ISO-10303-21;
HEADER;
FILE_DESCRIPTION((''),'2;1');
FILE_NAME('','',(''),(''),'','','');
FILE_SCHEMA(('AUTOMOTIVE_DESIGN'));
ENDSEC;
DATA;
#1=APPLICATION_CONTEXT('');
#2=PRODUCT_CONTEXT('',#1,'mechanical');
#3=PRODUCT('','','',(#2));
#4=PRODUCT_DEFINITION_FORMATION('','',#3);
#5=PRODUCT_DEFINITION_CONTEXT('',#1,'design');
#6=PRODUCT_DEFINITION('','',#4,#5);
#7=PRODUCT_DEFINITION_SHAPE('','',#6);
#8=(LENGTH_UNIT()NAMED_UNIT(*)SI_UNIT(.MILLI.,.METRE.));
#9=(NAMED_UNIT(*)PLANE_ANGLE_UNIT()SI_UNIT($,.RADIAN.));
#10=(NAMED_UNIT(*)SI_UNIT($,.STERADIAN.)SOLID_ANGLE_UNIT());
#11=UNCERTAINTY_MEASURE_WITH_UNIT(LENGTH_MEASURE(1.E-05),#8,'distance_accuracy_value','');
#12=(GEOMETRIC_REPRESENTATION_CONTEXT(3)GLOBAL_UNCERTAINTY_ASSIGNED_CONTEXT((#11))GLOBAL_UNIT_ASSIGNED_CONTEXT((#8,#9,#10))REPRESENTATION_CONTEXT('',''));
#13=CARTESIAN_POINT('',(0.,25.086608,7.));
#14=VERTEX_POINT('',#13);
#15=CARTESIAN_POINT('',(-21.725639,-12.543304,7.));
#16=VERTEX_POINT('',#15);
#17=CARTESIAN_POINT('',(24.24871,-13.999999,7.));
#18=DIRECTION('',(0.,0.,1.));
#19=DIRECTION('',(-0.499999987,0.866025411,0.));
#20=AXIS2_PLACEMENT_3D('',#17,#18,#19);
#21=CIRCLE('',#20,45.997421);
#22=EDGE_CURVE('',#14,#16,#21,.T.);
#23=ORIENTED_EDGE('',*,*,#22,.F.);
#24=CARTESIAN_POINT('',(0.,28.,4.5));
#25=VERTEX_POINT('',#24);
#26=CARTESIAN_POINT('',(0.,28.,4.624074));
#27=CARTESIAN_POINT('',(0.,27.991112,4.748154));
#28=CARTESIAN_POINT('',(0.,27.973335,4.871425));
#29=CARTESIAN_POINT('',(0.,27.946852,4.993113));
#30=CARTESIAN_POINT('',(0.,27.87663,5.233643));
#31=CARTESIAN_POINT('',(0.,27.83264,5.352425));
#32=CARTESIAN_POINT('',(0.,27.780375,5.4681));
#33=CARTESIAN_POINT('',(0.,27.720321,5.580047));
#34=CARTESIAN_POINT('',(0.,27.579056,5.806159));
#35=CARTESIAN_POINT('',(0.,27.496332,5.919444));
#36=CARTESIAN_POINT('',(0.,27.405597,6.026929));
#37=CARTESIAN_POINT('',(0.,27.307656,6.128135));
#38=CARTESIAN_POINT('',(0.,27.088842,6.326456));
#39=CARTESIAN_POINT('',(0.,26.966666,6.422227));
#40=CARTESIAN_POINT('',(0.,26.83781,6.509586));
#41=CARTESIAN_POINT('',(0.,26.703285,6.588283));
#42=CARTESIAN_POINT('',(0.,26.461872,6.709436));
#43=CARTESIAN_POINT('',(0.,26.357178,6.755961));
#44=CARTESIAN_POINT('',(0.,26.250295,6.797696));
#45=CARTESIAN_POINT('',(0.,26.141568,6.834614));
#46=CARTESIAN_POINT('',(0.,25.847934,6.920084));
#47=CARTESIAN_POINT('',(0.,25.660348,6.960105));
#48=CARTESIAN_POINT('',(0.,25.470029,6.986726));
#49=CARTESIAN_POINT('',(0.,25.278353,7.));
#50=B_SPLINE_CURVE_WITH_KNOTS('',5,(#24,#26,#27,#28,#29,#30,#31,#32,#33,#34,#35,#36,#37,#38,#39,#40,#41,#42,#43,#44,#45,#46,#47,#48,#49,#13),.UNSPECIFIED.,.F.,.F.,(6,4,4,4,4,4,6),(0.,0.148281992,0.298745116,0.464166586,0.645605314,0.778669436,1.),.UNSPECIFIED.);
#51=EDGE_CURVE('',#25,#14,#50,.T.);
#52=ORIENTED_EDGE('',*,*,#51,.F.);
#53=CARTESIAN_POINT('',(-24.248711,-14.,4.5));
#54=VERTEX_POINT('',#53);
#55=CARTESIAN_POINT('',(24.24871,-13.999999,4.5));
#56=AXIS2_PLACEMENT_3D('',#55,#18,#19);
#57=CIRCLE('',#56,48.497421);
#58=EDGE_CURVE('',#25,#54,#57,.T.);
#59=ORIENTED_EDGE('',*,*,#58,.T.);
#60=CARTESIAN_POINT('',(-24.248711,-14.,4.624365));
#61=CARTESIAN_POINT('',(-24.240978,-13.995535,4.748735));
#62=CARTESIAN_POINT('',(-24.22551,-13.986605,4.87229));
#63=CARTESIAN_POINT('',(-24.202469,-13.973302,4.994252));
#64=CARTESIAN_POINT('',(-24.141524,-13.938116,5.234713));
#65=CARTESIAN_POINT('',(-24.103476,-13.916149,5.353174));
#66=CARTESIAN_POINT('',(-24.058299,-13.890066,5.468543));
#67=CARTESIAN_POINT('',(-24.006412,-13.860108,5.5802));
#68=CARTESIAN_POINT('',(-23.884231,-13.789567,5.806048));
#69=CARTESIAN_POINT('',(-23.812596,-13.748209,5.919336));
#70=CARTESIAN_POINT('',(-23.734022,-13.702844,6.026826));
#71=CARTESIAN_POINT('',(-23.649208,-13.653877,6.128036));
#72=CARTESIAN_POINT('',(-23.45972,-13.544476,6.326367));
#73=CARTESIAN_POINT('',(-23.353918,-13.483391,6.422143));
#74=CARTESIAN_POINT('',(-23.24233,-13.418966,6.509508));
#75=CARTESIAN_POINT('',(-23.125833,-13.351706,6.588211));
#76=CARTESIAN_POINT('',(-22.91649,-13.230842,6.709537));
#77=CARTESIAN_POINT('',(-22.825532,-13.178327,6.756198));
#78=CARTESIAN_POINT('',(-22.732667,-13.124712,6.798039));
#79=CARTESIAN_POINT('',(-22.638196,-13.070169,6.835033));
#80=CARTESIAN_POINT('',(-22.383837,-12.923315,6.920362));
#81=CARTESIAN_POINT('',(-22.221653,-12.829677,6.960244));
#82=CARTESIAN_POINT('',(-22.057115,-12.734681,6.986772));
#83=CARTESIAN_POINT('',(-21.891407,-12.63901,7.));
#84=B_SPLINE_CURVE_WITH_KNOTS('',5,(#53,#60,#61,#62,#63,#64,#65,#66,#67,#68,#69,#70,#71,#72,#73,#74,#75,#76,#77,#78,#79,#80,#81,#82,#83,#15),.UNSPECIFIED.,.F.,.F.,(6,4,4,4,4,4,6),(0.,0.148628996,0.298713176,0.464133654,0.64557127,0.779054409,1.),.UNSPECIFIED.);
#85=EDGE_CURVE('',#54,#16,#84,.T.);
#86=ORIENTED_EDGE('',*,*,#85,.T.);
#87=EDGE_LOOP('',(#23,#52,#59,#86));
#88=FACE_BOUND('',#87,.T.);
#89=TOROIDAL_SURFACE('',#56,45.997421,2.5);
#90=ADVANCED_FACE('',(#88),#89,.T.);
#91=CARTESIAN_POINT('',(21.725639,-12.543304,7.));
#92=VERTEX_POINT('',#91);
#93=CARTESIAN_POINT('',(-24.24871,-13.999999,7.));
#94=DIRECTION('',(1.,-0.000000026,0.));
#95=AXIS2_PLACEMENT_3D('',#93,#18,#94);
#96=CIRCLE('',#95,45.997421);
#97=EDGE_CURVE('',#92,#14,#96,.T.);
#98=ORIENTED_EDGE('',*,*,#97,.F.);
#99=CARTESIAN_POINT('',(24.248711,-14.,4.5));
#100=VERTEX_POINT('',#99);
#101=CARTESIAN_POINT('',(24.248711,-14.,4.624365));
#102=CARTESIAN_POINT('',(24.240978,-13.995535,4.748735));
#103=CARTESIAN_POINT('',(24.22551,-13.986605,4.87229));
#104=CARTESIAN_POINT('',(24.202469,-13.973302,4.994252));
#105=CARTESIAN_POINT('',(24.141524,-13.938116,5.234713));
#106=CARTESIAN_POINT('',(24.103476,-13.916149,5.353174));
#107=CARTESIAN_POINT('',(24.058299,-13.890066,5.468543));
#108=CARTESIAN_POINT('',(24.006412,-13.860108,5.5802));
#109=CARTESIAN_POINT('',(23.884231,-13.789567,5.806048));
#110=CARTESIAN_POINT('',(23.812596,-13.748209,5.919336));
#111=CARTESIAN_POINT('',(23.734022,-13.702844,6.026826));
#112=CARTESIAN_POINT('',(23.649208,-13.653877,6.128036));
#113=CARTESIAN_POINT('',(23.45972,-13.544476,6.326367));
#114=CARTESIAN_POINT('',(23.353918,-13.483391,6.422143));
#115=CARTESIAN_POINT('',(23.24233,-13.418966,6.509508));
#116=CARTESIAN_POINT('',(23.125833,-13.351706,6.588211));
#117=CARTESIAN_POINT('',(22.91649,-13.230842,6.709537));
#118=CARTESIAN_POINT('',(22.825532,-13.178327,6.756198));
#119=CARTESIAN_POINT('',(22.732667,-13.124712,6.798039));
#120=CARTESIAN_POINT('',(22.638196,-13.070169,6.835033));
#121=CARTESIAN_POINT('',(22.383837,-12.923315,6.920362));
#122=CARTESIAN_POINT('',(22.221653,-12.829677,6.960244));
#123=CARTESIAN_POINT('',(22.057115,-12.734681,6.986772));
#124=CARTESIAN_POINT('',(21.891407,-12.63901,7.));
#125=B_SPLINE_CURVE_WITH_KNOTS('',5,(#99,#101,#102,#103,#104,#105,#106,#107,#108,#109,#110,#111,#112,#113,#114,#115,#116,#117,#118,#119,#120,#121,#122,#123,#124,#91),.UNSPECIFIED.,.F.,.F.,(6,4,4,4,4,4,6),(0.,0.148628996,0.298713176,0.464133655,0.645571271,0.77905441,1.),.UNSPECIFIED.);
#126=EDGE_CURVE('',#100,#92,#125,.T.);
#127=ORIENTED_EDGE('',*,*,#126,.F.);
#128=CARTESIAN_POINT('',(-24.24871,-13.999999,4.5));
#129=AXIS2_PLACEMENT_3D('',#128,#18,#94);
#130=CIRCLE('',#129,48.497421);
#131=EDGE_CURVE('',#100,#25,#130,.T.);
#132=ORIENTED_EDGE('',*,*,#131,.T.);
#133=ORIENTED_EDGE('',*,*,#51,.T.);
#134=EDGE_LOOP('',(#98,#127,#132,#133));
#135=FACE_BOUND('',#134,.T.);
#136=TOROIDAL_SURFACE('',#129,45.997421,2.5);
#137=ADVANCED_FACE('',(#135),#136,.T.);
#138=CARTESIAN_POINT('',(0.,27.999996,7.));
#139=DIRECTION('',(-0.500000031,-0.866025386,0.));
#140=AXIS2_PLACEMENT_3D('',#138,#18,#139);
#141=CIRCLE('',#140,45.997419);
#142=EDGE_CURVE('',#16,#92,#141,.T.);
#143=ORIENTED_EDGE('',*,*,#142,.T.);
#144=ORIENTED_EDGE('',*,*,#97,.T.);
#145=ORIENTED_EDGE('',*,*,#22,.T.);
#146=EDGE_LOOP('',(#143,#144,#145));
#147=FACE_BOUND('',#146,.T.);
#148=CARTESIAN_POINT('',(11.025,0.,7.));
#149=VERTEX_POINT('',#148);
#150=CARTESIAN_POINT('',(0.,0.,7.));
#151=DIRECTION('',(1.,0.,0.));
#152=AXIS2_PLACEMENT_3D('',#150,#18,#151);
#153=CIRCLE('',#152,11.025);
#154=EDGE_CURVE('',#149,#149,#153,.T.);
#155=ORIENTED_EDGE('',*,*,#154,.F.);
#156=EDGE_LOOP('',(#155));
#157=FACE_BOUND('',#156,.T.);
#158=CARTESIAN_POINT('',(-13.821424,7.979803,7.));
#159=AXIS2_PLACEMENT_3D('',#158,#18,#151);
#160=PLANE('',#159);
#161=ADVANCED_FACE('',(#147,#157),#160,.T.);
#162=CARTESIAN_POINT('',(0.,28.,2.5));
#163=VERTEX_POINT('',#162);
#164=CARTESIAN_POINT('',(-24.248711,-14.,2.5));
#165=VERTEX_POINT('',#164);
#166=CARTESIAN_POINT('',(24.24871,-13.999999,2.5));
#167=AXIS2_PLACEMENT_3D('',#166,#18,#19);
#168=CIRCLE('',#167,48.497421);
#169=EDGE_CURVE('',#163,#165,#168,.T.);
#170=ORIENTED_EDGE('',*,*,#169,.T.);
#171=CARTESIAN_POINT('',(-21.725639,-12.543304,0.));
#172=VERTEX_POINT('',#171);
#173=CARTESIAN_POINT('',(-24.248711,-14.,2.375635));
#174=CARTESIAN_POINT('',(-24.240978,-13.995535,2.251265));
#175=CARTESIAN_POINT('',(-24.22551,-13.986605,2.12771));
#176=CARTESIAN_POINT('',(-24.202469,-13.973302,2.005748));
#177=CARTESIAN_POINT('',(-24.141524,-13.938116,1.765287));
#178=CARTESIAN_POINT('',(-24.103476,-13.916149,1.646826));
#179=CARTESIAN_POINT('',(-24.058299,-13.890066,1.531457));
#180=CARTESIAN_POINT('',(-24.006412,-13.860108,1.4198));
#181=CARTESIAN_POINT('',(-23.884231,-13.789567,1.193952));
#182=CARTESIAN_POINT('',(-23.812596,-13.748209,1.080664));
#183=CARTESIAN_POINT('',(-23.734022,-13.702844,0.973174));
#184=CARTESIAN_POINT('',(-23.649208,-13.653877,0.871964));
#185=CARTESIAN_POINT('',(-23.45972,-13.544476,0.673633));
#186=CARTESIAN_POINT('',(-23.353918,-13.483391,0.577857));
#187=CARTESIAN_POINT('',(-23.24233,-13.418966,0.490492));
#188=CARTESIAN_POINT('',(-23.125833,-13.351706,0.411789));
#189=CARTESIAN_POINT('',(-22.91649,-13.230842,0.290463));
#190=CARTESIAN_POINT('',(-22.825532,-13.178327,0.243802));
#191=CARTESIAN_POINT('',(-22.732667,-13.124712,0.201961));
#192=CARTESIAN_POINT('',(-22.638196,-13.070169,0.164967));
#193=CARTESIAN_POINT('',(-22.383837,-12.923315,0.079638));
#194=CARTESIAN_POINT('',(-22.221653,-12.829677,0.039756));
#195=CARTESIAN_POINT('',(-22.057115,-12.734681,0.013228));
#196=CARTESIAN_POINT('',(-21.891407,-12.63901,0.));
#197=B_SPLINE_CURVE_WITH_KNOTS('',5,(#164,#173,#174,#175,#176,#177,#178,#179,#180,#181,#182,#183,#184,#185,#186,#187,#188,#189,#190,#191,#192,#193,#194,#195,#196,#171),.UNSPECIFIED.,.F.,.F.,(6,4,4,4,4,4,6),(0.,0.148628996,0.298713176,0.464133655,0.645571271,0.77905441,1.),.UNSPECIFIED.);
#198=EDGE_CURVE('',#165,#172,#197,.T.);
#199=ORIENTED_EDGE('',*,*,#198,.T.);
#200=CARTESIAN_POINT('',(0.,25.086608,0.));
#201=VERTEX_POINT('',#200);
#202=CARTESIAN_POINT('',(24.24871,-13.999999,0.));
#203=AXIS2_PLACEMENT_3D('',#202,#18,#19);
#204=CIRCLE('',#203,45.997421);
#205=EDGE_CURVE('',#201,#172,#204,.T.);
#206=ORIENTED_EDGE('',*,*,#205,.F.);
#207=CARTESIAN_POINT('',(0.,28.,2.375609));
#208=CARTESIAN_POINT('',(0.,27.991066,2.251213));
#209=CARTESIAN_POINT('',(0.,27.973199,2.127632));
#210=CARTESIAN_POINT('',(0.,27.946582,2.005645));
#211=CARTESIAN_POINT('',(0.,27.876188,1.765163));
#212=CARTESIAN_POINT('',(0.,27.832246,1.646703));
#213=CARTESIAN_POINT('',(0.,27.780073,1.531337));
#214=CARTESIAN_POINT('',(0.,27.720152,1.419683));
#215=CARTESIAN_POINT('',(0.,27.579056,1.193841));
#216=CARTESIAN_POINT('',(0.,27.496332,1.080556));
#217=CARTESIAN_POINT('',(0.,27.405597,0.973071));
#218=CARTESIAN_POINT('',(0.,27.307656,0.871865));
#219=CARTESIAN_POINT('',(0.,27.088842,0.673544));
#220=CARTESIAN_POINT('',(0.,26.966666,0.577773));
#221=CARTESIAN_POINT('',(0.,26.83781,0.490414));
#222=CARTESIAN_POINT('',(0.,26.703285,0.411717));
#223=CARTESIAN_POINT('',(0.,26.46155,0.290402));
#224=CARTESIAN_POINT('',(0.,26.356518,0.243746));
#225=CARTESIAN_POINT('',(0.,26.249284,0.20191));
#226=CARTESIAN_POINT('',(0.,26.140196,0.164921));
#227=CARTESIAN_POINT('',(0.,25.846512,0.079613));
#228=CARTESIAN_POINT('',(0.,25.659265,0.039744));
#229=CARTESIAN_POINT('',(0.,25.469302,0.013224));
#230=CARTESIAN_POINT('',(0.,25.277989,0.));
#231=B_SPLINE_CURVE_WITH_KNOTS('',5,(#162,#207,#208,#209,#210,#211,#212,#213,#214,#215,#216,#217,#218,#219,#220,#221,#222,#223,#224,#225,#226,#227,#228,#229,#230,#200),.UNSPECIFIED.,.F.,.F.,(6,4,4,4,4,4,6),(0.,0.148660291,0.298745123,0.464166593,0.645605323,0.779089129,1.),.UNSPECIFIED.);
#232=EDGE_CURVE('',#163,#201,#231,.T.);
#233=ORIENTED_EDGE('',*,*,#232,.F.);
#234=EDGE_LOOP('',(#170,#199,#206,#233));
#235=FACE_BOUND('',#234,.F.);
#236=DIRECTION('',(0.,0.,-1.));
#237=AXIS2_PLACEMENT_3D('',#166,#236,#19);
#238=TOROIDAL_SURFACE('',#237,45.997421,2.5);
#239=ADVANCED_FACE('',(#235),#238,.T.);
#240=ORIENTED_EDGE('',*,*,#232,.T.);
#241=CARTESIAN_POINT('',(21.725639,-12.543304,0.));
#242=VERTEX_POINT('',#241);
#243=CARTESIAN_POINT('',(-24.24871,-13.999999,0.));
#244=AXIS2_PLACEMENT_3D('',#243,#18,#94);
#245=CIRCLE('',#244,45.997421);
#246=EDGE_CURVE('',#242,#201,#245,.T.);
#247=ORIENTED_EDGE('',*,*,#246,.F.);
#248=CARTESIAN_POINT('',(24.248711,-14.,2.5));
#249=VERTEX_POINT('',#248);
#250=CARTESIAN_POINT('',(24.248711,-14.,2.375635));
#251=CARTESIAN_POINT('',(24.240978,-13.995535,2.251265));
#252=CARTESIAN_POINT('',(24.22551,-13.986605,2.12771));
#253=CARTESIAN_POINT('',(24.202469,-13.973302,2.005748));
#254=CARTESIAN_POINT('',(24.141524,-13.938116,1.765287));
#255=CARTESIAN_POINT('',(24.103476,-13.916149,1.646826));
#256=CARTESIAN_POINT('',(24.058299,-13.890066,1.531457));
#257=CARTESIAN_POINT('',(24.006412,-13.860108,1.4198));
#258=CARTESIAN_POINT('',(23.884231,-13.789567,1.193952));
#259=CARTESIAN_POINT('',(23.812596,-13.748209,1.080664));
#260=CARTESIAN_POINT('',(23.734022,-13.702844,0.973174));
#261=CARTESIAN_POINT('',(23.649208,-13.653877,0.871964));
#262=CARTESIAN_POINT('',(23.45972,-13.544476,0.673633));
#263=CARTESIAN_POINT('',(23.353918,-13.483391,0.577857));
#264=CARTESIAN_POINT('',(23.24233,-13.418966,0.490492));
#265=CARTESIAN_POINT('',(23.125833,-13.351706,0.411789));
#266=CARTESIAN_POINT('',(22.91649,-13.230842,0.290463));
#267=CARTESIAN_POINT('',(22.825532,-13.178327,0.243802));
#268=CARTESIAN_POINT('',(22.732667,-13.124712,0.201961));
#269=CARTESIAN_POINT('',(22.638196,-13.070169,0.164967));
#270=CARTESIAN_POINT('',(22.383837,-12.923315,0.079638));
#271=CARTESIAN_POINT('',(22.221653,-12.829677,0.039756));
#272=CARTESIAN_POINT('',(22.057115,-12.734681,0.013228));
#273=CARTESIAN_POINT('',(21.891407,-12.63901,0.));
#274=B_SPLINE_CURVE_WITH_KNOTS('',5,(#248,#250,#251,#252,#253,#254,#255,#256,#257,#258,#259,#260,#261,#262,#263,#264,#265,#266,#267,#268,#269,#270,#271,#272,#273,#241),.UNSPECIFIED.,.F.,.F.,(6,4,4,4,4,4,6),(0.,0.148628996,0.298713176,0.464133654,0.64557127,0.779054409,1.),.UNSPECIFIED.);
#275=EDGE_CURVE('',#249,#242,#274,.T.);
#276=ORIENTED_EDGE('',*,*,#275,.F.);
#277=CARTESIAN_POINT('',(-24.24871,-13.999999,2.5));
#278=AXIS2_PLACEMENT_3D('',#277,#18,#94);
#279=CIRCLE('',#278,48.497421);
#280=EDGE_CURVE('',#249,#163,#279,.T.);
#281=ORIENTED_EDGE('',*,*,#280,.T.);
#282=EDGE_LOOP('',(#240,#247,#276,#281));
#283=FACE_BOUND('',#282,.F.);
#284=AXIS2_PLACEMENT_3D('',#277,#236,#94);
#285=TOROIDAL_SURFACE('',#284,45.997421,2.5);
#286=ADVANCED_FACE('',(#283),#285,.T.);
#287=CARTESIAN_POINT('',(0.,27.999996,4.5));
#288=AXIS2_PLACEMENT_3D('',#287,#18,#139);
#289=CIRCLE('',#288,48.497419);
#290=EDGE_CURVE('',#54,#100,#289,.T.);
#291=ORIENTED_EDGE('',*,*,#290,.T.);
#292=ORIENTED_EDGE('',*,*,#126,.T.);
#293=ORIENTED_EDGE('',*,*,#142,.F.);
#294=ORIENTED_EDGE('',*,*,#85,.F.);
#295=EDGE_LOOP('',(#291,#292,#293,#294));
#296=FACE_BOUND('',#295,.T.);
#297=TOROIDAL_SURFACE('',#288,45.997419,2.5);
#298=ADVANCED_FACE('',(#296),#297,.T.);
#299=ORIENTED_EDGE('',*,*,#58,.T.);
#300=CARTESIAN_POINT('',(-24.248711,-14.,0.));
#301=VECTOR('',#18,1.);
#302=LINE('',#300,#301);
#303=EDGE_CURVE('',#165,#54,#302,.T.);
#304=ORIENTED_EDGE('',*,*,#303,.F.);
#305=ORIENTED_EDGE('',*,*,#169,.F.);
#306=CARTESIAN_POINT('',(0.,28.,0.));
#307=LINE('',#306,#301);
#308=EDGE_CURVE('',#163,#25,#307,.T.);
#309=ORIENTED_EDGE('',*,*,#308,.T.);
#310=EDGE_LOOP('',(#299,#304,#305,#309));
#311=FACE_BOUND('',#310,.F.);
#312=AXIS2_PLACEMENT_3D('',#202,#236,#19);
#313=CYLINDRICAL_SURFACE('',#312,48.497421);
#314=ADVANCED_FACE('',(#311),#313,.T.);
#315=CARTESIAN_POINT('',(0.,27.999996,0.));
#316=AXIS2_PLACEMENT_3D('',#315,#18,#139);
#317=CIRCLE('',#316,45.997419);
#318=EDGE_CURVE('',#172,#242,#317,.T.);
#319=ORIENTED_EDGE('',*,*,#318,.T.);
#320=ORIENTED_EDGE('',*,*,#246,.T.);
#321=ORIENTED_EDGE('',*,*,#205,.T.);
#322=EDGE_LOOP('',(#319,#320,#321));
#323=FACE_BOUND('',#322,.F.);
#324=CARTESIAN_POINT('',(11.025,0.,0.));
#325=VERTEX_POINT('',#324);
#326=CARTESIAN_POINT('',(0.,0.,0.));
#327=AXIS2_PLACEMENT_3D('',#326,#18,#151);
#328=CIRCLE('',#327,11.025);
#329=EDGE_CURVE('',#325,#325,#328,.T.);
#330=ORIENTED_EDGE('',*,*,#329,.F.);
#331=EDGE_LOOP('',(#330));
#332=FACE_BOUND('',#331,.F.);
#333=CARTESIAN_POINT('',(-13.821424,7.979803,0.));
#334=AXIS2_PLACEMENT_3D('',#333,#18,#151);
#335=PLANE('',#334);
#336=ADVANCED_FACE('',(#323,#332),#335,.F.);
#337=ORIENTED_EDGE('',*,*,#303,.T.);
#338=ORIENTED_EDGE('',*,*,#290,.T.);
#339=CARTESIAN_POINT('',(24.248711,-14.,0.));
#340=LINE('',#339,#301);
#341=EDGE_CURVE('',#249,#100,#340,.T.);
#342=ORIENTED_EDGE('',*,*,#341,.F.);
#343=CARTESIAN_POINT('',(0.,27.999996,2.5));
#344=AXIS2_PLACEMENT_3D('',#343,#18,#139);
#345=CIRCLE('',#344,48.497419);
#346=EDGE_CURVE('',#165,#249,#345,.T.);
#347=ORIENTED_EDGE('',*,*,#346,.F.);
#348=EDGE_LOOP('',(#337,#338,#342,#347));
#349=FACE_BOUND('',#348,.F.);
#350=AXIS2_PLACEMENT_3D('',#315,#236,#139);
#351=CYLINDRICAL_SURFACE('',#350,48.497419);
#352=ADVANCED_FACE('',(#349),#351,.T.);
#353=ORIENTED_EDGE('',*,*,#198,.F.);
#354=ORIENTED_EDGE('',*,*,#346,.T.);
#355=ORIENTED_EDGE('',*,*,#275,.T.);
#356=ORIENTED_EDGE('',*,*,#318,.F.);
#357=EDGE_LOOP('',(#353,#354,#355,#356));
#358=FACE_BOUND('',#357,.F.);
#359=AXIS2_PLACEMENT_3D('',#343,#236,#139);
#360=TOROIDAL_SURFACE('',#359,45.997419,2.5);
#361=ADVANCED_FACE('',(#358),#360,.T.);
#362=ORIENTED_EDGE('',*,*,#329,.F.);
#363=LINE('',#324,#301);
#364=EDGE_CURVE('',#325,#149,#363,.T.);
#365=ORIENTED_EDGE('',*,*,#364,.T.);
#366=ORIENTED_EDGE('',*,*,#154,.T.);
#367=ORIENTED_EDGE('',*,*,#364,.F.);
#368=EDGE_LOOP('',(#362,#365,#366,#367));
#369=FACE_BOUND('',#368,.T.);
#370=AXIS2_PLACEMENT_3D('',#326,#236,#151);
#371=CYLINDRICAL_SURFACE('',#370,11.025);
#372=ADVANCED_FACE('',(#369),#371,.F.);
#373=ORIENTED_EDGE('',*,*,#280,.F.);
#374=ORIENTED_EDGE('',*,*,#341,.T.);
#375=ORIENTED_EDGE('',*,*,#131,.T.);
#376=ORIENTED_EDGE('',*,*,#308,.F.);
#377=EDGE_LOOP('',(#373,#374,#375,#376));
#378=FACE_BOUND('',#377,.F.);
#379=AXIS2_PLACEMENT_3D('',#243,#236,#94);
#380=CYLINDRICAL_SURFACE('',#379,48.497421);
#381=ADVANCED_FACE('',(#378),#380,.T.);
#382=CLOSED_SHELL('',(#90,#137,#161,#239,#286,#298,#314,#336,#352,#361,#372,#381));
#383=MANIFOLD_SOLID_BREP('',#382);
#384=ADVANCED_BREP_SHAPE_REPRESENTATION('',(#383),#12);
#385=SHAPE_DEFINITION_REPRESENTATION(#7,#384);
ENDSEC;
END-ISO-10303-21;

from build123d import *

# Parameters (mm, degrees)
F0_R     = 11.025
F1_DEPTH = 7
F2_R     = 2.5


with BuildPart() as f1:
    # F0 (on Top) → F1 (new body)
    with BuildSketch(Plane.XY):
        with BuildLine():
            ThreePointArc((0, 28), (-17.751289, 10.248711), (-24.248711, -14))
            Line((-24.248711, -14), (0, 28))
        make_face()
        Polygon((-24.248711, -14), (24.248711, -14), (0, 28), align=None)
        Circle(F0_R, mode=Mode.SUBTRACT)
        with BuildLine():
            Line((0, 28), (24.248711, -14))
            ThreePointArc((24.248711, -14), (17.751289, 10.248711), (0, 28))
        make_face()
        with BuildLine():
            ThreePointArc((-24.248711, -14), (0, -20.497423), (24.248711, -14))
            Line((24.248711, -14), (-24.248711, -14))
        make_face()
    extrude(amount=F1_DEPTH)

    # F2
    f2_edges = [f1.edges().sort_by_distance(p)[0] for p in [
        (0, -20.497423, 7),
        (17.751289, 10.248711, 7),
        (-17.751289, 10.248711, 7),
        (0, -20.497423, 0),
        (17.751289, 10.248711, 0),
        (-17.751289, 10.248711, 0),
    ]]
    fillet(f2_edges, radius=F2_R)


solid = f1.part
